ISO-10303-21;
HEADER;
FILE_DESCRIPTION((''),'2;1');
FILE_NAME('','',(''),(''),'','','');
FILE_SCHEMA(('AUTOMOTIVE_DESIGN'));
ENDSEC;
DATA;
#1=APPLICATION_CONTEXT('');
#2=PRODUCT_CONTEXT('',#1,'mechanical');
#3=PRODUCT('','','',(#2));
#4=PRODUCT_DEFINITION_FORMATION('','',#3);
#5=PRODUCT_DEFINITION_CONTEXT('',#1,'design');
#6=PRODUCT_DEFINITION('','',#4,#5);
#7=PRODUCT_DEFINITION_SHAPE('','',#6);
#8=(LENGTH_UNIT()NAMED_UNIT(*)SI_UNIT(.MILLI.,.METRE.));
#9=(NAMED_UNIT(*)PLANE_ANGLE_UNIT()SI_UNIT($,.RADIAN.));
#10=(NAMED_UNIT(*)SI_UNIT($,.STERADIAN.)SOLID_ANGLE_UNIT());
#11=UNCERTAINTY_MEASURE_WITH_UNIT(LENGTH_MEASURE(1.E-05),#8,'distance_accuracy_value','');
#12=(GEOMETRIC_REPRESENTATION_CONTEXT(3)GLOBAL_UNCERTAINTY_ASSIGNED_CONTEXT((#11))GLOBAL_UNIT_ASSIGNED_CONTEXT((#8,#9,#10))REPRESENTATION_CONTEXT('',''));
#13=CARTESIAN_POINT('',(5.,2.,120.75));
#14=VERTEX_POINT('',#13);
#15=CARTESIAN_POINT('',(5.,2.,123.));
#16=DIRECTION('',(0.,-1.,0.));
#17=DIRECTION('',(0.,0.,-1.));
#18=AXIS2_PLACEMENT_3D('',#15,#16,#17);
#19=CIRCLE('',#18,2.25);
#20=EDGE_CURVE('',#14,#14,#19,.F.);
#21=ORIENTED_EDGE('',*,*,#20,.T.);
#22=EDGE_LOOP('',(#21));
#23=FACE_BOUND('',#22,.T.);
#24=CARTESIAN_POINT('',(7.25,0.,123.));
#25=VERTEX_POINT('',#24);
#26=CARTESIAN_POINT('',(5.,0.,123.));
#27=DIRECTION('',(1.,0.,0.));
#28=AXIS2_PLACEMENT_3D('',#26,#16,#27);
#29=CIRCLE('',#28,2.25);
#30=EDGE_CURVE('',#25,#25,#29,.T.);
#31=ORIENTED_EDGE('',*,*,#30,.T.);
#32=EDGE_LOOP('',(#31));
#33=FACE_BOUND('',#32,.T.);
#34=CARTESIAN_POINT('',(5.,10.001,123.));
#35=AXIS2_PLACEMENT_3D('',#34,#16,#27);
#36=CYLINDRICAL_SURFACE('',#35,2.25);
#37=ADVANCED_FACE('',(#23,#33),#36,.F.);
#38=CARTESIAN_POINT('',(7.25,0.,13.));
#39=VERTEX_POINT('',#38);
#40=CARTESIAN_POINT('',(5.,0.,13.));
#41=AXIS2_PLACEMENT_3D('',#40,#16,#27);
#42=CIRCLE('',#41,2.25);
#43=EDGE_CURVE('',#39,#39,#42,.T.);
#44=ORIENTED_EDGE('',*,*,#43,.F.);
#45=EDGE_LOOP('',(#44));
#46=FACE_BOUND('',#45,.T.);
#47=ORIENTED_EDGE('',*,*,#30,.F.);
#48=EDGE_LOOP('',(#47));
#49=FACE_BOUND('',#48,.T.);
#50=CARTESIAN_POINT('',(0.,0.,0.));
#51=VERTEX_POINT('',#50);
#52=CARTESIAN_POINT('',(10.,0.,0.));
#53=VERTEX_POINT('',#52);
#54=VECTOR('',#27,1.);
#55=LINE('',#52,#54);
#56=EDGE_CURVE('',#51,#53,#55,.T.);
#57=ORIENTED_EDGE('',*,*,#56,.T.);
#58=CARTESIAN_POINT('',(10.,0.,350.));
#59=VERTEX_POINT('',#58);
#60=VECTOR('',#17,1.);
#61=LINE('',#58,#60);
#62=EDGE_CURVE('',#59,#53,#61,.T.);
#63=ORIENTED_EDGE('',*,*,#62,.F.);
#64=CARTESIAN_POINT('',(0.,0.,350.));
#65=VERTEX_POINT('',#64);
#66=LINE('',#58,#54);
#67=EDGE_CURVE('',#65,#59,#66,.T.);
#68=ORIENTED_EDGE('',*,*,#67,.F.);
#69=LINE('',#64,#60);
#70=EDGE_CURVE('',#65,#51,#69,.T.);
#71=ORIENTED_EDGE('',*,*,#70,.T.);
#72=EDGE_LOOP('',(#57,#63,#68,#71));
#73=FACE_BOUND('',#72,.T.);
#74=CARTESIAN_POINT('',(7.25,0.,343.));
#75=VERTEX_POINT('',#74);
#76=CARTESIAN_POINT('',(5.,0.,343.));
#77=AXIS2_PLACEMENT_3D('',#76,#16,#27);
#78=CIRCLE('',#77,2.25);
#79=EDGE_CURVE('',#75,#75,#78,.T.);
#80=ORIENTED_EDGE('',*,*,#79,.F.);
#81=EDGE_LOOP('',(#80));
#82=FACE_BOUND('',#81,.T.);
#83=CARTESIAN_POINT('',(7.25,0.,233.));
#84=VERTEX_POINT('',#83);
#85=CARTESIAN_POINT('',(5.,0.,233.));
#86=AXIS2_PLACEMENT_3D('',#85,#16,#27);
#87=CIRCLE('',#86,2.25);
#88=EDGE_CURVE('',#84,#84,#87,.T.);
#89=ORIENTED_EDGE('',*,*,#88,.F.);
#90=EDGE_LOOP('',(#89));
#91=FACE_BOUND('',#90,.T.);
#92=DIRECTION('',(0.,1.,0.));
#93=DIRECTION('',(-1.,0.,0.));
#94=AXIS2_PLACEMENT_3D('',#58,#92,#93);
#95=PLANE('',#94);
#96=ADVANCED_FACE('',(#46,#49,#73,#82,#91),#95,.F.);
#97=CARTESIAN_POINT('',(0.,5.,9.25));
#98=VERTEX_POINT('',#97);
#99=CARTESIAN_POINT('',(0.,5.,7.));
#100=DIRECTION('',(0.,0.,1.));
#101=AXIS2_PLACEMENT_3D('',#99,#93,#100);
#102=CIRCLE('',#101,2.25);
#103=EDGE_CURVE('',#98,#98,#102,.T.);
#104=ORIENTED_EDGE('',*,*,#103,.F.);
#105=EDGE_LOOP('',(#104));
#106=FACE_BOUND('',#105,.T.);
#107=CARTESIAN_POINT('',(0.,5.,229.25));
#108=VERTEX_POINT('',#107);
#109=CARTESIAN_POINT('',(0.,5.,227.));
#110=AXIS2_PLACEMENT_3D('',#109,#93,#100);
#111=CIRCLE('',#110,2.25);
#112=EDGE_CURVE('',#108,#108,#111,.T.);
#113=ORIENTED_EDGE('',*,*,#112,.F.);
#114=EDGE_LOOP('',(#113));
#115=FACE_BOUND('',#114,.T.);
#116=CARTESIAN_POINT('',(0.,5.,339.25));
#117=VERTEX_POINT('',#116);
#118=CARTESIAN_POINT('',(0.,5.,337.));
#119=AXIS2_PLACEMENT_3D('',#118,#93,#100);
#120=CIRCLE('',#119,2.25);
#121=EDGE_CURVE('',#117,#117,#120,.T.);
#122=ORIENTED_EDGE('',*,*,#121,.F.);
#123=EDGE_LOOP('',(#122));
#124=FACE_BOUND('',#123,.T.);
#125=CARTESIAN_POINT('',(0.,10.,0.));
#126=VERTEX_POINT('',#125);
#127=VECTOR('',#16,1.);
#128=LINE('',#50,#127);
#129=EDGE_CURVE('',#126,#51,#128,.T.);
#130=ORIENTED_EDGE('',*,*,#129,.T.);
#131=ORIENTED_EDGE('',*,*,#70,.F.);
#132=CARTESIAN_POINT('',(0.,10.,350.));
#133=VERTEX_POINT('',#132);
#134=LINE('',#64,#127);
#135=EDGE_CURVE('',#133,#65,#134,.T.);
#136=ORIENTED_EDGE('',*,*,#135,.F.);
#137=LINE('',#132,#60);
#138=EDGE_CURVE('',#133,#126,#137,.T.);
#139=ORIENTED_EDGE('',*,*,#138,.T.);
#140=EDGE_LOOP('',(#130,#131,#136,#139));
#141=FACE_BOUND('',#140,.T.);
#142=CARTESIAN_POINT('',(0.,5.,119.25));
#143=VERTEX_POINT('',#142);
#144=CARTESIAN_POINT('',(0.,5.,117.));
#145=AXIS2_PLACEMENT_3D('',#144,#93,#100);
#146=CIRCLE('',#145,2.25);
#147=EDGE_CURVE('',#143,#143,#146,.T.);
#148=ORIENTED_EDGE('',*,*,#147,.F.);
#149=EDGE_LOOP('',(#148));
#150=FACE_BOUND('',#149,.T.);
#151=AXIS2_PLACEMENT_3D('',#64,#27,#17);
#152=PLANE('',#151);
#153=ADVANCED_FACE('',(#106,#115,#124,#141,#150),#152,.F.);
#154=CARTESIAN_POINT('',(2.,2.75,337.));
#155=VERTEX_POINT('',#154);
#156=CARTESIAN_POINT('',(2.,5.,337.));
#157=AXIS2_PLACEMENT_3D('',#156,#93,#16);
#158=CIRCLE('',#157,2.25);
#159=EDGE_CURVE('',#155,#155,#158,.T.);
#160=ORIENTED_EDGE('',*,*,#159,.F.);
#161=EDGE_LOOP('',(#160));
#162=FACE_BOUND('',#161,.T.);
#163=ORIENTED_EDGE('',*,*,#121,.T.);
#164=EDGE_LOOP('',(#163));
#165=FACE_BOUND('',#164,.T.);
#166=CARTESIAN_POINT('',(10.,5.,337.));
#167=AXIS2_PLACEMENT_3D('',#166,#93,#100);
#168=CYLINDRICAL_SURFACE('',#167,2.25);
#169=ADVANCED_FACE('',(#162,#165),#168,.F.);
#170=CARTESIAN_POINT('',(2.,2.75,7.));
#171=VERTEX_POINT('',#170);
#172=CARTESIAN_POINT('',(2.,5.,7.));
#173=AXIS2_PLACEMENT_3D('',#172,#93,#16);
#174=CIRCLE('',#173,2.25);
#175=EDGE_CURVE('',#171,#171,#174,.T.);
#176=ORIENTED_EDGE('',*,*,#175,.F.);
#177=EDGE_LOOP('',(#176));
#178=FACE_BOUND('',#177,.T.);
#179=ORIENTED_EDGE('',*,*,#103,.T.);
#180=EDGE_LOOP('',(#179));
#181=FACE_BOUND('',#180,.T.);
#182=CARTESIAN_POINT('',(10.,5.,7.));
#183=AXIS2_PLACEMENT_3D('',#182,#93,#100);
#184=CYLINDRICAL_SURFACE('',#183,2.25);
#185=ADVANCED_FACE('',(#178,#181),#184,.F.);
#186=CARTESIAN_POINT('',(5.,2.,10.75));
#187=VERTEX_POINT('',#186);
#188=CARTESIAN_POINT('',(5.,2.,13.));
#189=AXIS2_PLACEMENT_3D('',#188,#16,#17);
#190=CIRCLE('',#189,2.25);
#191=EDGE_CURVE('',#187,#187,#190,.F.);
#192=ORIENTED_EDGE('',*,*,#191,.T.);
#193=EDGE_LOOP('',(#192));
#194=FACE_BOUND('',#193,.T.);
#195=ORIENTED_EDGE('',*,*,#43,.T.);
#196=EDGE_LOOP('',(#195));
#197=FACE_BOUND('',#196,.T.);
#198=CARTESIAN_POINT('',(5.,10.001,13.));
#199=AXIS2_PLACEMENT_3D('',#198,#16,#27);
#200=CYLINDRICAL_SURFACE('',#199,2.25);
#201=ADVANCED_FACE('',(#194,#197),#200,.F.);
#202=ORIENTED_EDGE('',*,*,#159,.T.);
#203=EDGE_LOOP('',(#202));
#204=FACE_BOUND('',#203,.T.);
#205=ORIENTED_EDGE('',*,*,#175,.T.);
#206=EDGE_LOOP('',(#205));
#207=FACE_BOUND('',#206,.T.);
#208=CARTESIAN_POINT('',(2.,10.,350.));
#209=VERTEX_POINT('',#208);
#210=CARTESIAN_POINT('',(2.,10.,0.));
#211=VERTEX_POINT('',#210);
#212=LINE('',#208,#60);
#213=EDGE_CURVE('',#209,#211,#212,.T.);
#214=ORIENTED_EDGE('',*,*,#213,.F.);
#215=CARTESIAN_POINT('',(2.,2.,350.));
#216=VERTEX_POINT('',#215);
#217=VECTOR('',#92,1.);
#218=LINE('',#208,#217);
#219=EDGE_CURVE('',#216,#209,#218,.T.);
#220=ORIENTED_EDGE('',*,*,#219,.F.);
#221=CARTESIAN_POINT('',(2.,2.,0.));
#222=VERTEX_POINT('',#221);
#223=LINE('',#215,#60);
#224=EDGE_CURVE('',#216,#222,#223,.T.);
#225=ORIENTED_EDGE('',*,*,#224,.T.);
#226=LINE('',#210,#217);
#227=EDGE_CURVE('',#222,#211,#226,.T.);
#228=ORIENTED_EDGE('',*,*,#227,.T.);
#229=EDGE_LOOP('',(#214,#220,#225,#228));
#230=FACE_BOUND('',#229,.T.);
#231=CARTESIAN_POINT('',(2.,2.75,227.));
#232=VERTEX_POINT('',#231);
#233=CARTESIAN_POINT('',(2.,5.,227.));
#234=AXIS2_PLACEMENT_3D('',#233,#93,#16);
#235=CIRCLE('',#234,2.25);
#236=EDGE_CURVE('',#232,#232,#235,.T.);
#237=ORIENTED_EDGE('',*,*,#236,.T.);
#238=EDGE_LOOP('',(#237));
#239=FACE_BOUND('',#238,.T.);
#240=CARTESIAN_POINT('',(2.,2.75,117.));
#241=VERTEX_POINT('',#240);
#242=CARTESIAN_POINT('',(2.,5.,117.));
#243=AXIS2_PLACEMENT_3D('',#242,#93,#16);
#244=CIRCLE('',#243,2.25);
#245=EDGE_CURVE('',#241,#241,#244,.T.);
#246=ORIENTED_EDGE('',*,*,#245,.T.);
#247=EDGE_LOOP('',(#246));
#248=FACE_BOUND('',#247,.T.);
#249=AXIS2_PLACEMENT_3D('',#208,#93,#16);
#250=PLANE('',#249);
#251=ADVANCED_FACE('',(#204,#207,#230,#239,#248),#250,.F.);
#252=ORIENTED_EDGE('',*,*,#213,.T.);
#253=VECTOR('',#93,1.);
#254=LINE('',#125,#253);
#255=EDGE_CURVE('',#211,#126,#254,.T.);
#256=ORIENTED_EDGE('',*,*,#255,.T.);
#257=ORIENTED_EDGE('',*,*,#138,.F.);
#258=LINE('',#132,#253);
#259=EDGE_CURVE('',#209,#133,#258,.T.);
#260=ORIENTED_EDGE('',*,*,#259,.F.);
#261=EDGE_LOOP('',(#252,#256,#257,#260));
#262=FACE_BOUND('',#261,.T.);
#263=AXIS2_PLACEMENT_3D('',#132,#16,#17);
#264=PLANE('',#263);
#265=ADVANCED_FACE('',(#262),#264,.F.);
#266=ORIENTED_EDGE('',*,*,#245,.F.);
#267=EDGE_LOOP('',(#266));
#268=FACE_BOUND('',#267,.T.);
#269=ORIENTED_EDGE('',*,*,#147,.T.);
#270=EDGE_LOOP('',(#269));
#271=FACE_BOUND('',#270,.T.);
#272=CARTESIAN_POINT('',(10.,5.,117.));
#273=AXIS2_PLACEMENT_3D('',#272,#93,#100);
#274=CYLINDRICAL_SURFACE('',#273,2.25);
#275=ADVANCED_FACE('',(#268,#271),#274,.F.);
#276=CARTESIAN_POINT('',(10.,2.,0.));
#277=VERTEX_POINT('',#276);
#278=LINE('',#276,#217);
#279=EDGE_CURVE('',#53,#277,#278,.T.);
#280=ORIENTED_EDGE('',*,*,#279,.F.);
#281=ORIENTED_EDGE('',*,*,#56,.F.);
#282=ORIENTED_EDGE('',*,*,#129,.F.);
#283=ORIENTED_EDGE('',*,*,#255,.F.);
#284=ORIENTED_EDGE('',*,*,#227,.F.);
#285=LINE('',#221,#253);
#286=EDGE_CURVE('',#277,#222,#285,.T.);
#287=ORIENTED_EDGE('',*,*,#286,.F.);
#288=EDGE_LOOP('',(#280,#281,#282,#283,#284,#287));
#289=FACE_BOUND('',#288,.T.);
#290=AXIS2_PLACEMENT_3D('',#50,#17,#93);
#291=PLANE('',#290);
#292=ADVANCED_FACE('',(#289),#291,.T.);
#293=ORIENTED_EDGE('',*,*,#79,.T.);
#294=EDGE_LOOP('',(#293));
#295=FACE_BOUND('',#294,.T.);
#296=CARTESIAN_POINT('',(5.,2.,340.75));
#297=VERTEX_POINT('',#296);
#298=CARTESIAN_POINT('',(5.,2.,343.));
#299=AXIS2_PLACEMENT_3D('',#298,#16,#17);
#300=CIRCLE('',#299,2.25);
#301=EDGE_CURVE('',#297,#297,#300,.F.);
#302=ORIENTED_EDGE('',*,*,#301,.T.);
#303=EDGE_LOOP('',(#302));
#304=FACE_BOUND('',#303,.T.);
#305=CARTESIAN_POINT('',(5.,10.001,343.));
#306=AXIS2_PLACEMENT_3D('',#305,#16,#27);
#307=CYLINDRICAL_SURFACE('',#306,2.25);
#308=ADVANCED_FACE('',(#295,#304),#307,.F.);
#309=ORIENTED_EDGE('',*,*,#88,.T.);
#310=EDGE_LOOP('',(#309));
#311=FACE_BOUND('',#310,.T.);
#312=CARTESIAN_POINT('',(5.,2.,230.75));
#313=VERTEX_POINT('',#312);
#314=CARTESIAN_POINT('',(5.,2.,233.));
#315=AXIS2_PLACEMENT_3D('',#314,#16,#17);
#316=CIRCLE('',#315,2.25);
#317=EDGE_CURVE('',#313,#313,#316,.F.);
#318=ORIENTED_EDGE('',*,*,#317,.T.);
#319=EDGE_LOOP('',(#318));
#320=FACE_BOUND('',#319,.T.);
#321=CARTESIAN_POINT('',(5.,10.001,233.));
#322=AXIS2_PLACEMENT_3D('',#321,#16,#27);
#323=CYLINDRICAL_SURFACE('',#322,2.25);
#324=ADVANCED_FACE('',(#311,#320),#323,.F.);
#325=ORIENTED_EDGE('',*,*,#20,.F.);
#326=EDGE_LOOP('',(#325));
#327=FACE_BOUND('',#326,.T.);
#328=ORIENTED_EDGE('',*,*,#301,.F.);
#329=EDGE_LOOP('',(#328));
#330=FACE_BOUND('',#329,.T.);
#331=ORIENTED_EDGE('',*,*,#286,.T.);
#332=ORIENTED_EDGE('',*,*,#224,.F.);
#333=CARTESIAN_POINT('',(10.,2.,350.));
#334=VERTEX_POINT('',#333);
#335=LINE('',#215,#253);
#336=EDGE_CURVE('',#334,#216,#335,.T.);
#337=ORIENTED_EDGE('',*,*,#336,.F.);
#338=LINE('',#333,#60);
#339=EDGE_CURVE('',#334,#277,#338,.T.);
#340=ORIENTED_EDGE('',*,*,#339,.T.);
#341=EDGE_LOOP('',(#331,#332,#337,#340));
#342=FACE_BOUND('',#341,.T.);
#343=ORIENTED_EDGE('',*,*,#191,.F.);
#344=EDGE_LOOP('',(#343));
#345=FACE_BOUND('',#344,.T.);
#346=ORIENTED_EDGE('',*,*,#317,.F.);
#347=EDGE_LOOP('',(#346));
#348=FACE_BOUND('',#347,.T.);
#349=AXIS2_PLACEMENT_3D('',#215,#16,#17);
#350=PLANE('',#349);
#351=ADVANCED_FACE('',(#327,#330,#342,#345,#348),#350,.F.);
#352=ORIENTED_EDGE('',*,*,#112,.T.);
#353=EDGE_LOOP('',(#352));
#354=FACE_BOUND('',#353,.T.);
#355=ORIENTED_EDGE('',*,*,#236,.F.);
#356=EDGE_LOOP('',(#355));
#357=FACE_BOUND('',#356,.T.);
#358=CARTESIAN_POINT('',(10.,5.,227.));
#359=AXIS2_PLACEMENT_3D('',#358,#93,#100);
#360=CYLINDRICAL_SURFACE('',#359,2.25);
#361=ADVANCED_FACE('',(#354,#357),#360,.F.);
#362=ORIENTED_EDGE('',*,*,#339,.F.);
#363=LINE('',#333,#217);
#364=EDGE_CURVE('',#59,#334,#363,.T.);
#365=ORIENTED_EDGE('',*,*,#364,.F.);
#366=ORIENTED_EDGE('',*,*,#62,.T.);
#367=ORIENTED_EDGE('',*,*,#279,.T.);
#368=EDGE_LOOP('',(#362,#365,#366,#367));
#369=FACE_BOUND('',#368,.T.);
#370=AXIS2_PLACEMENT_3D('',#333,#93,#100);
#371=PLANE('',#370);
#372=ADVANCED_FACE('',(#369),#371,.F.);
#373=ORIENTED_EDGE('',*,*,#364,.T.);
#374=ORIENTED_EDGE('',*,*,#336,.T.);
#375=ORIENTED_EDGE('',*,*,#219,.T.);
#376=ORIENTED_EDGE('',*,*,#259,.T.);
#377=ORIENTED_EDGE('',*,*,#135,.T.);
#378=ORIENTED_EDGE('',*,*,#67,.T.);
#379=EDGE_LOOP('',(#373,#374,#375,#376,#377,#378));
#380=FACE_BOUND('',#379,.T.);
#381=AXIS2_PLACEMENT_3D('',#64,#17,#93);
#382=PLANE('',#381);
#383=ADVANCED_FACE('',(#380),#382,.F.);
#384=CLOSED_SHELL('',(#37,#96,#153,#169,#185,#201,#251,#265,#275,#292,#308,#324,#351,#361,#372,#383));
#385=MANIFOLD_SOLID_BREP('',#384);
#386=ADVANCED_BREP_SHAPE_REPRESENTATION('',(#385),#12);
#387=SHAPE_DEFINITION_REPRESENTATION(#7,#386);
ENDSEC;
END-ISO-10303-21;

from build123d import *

# Parameters (mm, degrees)
EXTRUDE_1_DEPTH     = 350
SKETCH_2_R          = 2.25
CUT_EXTRUDE_1_DEPTH = 11
CUT_EXTRUDE_2_REACH = 12
SKETCH_3_R          = 2.25


with BuildPart() as part:
    # Эскиз1 → Бобышка-Вытянуть1 (new body)
    with BuildSketch(Plane.XY):
        Polygon((0, 0), (0, 10), (2, 10), (2, 2), (10, 2), (10, 0), align=None)
    extrude(amount=EXTRUDE_1_DEPTH)

    # Эскиз2 → Вырез-Вытянуть1 (cut, through all)
    with BuildSketch(Plane.ZY):
        with Locations((7, 5)):
            Circle(SKETCH_2_R)
        with Locations((117, 5)):
            Circle(SKETCH_2_R)
        with Locations((227, 5)):
            Circle(SKETCH_2_R)
        with Locations((337, 5)):
            Circle(SKETCH_2_R)
    extrude(amount=-CUT_EXTRUDE_1_DEPTH, mode=Mode.SUBTRACT)

    # Эскиз3 → Вырез-Вытянуть2 (cut, up to next)
    with BuildSketch(Plane.XZ, mode=Mode.PRIVATE) as cut_extrude_2_sk1:
        with Locations((5, 343)):
            Circle(SKETCH_3_R)
    cut_extrude_2_tool1 = extrude(cut_extrude_2_sk1.sketch, amount=-CUT_EXTRUDE_2_REACH, mode=Mode.PRIVATE) & part.part
    add(cut_extrude_2_tool1.solids().sort_by_distance((5, 0, 343))[0], mode=Mode.SUBTRACT)
    # Эскиз3 → Вырез-Вытянуть2 (cut, up to next)
    with BuildSketch(Plane.XZ, mode=Mode.PRIVATE) as cut_extrude_2_sk2:
        with Locations((5, 233)):
            Circle(SKETCH_3_R)
    cut_extrude_2_tool2 = extrude(cut_extrude_2_sk2.sketch, amount=-CUT_EXTRUDE_2_REACH, mode=Mode.PRIVATE) & part.part
    add(cut_extrude_2_tool2.solids().sort_by_distance((5, 0, 233))[0], mode=Mode.SUBTRACT)
    # Эскиз3 → Вырез-Вытянуть2 (cut, up to next)
    with BuildSketch(Plane.XZ, mode=Mode.PRIVATE) as cut_extrude_2_sk3:
        with Locations((5, 123)):
            Circle(SKETCH_3_R)
    cut_extrude_2_tool3 = extrude(cut_extrude_2_sk3.sketch, amount=-CUT_EXTRUDE_2_REACH, mode=Mode.PRIVATE) & part.part
    add(cut_extrude_2_tool3.solids().sort_by_distance((5, 0, 123))[0], mode=Mode.SUBTRACT)
    # Эскиз3 → Вырез-Вытянуть2 (cut, up to next)
    with BuildSketch(Plane.XZ, mode=Mode.PRIVATE) as cut_extrude_2_sk4:
        with Locations((5, 13)):
            Circle(SKETCH_3_R)
    cut_extrude_2_tool4 = extrude(cut_extrude_2_sk4.sketch, amount=-CUT_EXTRUDE_2_REACH, mode=Mode.PRIVATE) & part.part
    add(cut_extrude_2_tool4.solids().sort_by_distance((5, 0, 13))[0], mode=Mode.SUBTRACT)


solid = part.part
